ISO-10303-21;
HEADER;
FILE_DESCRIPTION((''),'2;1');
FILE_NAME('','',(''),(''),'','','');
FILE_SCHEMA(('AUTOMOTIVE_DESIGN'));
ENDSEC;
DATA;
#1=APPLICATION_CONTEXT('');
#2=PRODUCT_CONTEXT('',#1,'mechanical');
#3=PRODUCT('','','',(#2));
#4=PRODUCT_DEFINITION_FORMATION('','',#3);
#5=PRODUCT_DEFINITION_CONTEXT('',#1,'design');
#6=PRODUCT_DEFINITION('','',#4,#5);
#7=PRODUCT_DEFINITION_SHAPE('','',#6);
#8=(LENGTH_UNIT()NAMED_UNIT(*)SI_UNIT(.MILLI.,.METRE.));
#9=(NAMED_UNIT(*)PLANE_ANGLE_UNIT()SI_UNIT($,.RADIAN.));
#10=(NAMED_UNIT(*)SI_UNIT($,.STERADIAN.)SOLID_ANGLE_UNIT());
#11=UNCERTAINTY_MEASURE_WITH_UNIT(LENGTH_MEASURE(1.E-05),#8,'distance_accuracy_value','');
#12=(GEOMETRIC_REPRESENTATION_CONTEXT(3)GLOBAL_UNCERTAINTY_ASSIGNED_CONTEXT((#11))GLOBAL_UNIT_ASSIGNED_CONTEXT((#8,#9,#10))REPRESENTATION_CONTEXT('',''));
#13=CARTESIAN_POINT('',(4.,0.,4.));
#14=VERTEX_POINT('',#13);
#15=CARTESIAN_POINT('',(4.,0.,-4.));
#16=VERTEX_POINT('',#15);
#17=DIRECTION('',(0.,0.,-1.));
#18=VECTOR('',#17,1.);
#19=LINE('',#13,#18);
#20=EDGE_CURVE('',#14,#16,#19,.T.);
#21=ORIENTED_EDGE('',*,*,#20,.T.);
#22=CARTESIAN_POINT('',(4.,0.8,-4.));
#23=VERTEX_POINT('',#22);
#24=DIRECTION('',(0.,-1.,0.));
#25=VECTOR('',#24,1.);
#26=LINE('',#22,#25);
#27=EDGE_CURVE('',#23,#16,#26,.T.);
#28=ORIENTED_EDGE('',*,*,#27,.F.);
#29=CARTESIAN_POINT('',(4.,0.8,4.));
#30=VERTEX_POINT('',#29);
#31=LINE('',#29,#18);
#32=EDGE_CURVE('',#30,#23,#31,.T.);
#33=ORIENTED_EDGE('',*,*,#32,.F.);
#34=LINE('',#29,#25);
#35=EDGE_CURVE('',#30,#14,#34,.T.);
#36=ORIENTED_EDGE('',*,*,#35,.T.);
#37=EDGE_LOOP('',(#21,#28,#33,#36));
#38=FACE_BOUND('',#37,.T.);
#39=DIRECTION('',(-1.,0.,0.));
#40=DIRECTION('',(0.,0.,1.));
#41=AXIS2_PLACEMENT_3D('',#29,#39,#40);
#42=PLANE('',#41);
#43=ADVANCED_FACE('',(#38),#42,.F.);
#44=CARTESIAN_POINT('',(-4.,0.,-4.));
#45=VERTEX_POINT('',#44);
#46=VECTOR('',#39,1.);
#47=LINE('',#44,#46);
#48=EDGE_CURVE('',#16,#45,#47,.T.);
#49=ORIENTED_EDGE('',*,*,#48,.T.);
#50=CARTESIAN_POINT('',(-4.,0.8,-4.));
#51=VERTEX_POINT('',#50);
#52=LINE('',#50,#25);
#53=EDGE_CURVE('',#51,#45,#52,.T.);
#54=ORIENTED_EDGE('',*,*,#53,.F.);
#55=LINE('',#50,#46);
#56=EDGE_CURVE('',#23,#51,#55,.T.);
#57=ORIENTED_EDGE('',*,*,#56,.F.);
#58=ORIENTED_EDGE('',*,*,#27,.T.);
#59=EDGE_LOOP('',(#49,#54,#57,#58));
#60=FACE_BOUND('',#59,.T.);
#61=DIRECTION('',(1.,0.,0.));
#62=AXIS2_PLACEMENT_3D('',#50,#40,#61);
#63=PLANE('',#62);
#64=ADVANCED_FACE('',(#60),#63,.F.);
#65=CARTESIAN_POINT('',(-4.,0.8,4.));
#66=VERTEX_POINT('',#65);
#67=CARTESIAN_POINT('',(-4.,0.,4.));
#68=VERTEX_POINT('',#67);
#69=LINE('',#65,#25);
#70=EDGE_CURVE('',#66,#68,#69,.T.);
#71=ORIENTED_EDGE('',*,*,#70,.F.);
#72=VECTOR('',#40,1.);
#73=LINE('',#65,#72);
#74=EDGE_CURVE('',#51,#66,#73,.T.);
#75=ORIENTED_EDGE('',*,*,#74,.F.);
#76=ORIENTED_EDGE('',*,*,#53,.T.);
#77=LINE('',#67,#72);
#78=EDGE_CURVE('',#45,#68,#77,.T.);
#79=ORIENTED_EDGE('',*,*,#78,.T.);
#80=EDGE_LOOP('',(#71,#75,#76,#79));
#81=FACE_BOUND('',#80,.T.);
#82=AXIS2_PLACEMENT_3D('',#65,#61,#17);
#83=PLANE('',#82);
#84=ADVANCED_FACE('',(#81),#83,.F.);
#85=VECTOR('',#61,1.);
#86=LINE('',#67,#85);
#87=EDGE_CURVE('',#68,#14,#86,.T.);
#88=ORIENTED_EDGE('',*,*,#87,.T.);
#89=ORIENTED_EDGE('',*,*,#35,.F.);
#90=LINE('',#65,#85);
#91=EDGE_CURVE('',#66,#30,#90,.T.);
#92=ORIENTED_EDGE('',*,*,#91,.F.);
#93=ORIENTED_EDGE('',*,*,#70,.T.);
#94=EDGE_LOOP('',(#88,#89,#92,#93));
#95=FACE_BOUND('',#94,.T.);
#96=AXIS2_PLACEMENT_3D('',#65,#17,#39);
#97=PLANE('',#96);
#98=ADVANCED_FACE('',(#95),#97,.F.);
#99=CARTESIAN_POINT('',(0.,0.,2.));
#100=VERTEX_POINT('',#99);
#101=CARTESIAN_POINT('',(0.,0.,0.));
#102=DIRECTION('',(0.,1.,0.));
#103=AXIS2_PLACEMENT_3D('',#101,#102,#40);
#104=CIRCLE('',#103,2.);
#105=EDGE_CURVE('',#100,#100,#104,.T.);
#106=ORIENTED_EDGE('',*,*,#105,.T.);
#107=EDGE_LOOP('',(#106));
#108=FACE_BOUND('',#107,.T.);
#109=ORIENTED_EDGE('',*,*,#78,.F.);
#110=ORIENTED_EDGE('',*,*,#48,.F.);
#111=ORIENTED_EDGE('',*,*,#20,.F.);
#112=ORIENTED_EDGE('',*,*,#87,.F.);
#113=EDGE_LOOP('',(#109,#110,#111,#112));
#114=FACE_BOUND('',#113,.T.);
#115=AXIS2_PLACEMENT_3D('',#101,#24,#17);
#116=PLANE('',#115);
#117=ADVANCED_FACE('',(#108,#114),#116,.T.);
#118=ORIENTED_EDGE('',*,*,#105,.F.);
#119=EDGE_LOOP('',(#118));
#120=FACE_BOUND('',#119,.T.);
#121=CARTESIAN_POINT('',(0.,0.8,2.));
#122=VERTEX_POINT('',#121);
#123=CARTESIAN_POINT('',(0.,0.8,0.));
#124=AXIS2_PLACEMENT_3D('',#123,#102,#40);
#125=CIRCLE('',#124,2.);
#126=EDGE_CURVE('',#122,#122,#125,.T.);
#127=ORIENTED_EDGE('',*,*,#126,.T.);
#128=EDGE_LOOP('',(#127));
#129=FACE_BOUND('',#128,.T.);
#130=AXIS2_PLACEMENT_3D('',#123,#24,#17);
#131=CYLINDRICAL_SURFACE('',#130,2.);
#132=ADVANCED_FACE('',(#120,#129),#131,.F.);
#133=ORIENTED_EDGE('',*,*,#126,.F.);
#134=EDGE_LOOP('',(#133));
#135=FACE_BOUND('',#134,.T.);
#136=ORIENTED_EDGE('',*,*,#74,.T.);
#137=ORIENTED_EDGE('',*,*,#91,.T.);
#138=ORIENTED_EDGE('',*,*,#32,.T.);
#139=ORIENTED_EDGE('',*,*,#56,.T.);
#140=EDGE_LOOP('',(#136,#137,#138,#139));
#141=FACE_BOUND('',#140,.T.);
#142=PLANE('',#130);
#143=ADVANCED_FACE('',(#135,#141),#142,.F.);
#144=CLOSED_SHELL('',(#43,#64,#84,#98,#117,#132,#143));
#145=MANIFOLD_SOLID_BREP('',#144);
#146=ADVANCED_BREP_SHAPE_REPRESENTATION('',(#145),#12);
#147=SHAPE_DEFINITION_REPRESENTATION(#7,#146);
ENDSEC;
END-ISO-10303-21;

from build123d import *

# Parameters (mm, degrees)
SKETCH1_W           = 8
SKETCH1_H           = 8
SKETCH1_R           = 2
BOSS_EXTRUDE1_DEPTH = 0.8


with BuildPart() as part:
    # Sketch1 → Boss-Extrude1 (new body)
    with BuildSketch(Plane(origin=(0, 0, 0), x_dir=(1, 0, 0), z_dir=(0, 1, 0))):
        Rectangle(SKETCH1_W, SKETCH1_H)
        with Locations(Location((0, 0, 0), (0, 0, 270))):
            Circle(SKETCH1_R, mode=Mode.SUBTRACT)
    extrude(amount=BOSS_EXTRUDE1_DEPTH)


solid = part.part
